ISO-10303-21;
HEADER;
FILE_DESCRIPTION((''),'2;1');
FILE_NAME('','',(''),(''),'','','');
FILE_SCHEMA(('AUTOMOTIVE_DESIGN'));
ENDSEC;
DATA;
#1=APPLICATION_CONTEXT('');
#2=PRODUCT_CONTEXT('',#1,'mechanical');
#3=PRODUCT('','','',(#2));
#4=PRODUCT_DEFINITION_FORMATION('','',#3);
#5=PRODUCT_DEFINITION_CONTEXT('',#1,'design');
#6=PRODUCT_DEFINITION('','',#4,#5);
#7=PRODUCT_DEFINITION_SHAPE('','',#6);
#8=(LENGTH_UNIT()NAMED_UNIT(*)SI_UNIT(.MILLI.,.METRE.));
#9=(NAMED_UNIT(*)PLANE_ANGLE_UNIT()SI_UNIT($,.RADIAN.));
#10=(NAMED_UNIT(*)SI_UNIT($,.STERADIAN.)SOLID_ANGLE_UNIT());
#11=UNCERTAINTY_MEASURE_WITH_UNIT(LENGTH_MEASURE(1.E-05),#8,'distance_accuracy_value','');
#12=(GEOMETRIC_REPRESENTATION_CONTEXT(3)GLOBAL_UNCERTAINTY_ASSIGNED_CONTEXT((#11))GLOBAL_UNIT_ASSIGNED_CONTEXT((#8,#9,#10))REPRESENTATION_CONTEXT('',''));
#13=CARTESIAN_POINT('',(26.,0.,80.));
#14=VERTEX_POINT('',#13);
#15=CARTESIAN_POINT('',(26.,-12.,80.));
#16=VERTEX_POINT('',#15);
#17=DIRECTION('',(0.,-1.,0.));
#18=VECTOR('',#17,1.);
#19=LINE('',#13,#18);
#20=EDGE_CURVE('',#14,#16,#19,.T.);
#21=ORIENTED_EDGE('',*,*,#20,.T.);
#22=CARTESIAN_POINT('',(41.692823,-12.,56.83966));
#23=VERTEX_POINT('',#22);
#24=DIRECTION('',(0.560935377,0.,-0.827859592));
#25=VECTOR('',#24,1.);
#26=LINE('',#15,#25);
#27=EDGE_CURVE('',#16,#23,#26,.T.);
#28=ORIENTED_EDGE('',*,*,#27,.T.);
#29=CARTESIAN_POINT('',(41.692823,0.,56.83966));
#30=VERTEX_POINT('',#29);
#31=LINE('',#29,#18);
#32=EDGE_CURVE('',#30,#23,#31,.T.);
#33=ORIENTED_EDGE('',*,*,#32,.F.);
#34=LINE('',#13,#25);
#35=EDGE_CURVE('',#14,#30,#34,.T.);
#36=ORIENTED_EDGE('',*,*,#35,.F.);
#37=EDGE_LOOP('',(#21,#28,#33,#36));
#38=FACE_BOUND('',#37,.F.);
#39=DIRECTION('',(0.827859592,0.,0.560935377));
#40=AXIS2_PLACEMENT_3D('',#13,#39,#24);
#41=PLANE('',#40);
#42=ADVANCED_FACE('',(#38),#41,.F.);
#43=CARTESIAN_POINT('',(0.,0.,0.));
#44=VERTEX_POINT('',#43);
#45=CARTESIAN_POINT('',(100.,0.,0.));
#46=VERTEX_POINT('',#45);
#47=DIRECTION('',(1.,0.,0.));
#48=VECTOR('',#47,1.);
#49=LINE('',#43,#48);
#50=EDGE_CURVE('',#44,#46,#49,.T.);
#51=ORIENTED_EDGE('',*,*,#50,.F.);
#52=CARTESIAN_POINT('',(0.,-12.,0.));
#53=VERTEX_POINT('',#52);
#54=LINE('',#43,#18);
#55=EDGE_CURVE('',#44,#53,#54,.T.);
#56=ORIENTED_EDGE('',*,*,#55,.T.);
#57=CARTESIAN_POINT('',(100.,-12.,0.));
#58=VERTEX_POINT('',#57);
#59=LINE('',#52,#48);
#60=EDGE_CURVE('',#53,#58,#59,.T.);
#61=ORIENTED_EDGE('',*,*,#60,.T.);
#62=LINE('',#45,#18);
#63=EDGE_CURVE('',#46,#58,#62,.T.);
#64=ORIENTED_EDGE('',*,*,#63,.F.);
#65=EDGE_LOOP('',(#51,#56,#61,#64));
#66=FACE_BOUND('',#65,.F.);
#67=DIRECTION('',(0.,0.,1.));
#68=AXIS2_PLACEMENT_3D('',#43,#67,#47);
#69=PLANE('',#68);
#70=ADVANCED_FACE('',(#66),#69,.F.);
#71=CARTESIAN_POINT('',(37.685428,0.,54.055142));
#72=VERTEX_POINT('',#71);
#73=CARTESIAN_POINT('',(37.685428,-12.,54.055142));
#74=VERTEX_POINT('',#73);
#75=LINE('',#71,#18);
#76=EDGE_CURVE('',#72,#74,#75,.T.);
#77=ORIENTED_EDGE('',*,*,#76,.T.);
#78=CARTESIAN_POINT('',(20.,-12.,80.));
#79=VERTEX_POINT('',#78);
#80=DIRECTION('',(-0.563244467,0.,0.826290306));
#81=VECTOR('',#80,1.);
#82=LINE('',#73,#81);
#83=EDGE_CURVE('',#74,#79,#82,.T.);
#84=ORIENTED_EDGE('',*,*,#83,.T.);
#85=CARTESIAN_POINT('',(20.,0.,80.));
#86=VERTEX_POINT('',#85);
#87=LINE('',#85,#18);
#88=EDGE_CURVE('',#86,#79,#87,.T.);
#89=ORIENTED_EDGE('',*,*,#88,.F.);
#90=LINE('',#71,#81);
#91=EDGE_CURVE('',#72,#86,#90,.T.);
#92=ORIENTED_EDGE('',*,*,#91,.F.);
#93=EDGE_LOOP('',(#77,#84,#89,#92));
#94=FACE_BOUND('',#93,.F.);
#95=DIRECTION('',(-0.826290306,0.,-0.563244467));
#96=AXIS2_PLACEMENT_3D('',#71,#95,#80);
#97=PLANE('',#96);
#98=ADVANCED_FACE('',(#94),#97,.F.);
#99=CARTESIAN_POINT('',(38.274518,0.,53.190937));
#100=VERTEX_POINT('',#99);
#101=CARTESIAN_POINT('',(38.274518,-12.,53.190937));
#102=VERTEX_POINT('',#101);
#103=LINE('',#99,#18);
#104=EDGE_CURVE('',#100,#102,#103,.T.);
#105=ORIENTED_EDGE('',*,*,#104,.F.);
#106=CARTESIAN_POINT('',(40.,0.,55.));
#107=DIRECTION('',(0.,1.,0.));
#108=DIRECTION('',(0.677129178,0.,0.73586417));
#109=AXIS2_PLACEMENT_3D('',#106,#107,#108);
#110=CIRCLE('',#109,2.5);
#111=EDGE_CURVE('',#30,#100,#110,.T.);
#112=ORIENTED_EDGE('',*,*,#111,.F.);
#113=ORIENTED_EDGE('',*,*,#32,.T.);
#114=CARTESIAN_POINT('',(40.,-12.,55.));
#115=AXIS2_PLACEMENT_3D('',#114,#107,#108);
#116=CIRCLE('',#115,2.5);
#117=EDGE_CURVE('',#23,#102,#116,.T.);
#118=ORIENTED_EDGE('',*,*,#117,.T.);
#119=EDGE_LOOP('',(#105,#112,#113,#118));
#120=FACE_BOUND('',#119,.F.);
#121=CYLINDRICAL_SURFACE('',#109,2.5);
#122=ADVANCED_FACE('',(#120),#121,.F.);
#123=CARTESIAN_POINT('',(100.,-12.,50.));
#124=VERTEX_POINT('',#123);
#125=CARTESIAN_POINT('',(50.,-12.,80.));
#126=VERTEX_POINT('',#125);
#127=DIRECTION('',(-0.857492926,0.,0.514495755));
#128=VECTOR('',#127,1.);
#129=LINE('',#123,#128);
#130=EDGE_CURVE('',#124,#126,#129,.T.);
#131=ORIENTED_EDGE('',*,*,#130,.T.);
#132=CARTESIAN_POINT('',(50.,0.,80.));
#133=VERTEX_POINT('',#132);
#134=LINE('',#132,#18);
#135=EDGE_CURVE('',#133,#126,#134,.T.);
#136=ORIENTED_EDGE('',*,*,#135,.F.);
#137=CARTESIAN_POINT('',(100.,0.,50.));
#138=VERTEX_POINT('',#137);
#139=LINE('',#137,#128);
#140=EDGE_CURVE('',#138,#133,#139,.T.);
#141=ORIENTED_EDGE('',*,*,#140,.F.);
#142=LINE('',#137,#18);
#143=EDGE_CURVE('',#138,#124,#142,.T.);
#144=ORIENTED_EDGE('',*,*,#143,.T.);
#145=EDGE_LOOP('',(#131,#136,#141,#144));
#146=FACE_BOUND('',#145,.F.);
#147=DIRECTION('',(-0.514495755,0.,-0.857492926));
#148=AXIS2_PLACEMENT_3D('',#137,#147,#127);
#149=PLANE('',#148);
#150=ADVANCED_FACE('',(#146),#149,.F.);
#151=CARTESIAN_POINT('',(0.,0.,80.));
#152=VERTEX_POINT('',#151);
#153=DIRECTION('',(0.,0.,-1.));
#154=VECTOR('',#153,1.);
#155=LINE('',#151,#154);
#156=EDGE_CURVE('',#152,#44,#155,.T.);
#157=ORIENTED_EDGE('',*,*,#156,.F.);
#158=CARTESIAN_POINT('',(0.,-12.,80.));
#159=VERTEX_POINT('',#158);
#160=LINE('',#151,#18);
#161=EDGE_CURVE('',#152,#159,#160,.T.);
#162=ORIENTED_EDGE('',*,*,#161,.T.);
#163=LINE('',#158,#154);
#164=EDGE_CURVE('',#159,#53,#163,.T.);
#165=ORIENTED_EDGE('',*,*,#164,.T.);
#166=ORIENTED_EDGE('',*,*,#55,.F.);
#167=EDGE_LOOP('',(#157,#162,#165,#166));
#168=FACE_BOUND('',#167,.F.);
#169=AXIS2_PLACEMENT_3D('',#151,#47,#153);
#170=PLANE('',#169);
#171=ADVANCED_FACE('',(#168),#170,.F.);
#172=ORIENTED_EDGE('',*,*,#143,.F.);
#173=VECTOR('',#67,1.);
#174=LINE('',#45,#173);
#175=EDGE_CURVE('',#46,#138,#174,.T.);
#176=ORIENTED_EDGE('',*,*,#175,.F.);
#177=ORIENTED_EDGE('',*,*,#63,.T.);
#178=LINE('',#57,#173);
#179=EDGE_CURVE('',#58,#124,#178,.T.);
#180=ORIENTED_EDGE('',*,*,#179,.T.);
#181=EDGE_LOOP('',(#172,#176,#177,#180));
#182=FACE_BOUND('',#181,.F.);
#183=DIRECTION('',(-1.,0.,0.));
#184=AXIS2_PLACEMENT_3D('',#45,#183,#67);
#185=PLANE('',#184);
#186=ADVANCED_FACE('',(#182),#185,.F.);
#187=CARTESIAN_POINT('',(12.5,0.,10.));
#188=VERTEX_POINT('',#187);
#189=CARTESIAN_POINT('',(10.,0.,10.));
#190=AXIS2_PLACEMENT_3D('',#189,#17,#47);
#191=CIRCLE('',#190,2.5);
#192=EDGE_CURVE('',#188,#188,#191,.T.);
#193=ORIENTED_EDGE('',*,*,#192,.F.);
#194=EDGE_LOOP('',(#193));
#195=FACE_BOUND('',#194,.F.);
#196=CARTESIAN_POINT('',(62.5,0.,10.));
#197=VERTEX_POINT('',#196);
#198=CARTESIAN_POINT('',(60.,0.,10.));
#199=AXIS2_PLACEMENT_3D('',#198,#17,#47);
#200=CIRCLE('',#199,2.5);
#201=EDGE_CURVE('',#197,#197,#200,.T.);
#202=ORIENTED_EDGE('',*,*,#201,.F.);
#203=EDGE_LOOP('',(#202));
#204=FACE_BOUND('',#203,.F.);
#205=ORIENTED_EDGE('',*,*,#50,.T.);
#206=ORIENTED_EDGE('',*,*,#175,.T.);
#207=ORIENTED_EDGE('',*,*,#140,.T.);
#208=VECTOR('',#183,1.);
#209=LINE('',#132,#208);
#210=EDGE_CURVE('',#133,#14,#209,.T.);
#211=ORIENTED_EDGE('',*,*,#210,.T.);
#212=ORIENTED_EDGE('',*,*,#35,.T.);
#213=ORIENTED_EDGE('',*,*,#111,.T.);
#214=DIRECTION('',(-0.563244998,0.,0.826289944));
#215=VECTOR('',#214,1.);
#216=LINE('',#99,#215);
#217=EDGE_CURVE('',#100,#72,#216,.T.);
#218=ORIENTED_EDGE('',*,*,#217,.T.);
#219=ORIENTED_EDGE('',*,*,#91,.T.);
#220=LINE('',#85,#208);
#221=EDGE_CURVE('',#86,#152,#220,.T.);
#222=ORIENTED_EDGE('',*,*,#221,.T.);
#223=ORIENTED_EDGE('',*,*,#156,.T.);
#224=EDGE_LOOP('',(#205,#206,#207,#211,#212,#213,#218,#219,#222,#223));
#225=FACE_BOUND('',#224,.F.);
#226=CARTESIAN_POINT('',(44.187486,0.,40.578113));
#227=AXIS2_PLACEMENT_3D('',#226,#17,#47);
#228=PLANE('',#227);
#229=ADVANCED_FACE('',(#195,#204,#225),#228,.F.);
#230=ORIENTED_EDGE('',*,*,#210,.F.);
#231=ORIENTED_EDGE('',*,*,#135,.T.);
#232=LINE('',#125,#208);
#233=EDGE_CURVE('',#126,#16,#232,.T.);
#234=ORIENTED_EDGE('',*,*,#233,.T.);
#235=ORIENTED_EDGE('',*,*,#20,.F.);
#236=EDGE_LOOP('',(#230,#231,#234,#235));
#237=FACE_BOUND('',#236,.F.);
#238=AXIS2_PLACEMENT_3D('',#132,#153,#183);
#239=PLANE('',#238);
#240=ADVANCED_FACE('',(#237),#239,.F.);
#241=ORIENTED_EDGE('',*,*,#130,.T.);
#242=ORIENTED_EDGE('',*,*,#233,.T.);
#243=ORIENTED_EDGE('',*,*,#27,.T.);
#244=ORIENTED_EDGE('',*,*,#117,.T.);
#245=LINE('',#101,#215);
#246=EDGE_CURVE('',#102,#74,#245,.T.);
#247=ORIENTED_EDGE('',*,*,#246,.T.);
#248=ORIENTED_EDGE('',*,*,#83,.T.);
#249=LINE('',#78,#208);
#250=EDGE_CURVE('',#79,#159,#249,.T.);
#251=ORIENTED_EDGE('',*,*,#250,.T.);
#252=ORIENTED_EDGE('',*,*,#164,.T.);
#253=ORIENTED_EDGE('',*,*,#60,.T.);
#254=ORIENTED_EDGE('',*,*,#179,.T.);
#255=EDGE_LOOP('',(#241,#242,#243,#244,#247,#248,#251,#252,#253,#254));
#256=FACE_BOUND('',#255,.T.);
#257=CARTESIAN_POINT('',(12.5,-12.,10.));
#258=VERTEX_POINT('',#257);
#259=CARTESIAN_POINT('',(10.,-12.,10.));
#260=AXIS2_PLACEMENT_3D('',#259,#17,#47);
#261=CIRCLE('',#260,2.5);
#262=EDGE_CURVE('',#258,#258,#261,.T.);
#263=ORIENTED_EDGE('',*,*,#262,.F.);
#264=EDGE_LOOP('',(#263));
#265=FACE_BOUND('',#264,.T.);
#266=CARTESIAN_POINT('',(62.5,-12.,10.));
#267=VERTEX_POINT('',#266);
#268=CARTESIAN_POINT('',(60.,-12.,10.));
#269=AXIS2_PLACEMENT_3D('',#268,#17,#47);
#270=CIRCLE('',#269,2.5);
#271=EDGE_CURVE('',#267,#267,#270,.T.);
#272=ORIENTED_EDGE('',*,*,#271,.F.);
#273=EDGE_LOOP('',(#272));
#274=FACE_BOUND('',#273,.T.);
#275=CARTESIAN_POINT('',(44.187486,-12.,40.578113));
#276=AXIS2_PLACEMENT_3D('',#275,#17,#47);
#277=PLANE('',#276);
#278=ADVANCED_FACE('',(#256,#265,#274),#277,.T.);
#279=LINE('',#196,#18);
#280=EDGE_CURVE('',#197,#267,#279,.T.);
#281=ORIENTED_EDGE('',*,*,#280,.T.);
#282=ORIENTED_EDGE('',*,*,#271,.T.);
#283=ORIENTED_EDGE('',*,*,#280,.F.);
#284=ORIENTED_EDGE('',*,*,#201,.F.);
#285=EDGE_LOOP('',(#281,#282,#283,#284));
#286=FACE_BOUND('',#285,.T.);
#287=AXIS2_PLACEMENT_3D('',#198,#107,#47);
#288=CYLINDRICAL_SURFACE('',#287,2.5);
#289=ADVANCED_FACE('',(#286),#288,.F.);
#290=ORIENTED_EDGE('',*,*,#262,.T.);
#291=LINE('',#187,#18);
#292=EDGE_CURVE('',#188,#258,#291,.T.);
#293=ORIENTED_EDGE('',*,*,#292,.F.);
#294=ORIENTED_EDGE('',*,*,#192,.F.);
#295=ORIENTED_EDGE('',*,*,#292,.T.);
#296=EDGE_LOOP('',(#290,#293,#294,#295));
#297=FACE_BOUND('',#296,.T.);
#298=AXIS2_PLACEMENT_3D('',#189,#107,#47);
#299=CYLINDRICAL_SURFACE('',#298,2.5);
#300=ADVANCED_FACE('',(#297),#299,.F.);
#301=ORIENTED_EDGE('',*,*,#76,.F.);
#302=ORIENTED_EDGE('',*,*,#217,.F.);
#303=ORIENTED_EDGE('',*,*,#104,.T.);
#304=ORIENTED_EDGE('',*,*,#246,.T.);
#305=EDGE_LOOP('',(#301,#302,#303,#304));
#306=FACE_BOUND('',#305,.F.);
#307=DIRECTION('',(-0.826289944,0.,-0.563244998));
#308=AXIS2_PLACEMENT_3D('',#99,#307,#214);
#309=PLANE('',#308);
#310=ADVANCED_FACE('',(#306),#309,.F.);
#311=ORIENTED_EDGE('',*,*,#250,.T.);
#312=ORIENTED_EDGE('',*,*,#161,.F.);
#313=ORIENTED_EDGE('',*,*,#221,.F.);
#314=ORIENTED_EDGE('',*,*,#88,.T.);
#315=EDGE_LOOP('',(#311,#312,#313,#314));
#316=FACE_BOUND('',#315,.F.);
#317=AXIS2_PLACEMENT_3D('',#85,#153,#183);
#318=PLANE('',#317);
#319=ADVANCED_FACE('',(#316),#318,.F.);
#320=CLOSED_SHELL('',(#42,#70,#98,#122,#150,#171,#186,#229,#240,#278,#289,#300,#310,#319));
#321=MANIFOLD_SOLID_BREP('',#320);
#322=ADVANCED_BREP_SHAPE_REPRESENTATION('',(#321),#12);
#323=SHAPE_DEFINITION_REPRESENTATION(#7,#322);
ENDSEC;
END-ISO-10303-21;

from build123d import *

# Parameters (mm, degrees)
F0_R     = 2.5
F1_DEPTH = 12


with BuildPart() as f1:
    # F0 (on Front) → F1 (new body)
    with BuildSketch(Plane.XZ):
        with BuildLine():
            Line((0, 80), (0, 0))
            Line((0, 0), (100, 0))
            Line((100, 0), (100, 50))
            Line((100, 50), (50, 80))
            Line((50, 80), (26, 80))
            Line((26, 80), (41.692823, 56.83966))
            ThreePointArc((41.692823, 56.83966), (41.824435, 53.290779), (38.274518, 53.190937))
            Line((38.274518, 53.190937), (37.685428, 54.055142))
            Line((37.685428, 54.055142), (20, 80))
            Line((20, 80), (0, 80))
        make_face()
        with Locations((10, 10)):
            Circle(F0_R, mode=Mode.SUBTRACT)
        with Locations((60, 10)):
            Circle(F0_R, mode=Mode.SUBTRACT)
    extrude(amount=F1_DEPTH)


solid = f1.part
